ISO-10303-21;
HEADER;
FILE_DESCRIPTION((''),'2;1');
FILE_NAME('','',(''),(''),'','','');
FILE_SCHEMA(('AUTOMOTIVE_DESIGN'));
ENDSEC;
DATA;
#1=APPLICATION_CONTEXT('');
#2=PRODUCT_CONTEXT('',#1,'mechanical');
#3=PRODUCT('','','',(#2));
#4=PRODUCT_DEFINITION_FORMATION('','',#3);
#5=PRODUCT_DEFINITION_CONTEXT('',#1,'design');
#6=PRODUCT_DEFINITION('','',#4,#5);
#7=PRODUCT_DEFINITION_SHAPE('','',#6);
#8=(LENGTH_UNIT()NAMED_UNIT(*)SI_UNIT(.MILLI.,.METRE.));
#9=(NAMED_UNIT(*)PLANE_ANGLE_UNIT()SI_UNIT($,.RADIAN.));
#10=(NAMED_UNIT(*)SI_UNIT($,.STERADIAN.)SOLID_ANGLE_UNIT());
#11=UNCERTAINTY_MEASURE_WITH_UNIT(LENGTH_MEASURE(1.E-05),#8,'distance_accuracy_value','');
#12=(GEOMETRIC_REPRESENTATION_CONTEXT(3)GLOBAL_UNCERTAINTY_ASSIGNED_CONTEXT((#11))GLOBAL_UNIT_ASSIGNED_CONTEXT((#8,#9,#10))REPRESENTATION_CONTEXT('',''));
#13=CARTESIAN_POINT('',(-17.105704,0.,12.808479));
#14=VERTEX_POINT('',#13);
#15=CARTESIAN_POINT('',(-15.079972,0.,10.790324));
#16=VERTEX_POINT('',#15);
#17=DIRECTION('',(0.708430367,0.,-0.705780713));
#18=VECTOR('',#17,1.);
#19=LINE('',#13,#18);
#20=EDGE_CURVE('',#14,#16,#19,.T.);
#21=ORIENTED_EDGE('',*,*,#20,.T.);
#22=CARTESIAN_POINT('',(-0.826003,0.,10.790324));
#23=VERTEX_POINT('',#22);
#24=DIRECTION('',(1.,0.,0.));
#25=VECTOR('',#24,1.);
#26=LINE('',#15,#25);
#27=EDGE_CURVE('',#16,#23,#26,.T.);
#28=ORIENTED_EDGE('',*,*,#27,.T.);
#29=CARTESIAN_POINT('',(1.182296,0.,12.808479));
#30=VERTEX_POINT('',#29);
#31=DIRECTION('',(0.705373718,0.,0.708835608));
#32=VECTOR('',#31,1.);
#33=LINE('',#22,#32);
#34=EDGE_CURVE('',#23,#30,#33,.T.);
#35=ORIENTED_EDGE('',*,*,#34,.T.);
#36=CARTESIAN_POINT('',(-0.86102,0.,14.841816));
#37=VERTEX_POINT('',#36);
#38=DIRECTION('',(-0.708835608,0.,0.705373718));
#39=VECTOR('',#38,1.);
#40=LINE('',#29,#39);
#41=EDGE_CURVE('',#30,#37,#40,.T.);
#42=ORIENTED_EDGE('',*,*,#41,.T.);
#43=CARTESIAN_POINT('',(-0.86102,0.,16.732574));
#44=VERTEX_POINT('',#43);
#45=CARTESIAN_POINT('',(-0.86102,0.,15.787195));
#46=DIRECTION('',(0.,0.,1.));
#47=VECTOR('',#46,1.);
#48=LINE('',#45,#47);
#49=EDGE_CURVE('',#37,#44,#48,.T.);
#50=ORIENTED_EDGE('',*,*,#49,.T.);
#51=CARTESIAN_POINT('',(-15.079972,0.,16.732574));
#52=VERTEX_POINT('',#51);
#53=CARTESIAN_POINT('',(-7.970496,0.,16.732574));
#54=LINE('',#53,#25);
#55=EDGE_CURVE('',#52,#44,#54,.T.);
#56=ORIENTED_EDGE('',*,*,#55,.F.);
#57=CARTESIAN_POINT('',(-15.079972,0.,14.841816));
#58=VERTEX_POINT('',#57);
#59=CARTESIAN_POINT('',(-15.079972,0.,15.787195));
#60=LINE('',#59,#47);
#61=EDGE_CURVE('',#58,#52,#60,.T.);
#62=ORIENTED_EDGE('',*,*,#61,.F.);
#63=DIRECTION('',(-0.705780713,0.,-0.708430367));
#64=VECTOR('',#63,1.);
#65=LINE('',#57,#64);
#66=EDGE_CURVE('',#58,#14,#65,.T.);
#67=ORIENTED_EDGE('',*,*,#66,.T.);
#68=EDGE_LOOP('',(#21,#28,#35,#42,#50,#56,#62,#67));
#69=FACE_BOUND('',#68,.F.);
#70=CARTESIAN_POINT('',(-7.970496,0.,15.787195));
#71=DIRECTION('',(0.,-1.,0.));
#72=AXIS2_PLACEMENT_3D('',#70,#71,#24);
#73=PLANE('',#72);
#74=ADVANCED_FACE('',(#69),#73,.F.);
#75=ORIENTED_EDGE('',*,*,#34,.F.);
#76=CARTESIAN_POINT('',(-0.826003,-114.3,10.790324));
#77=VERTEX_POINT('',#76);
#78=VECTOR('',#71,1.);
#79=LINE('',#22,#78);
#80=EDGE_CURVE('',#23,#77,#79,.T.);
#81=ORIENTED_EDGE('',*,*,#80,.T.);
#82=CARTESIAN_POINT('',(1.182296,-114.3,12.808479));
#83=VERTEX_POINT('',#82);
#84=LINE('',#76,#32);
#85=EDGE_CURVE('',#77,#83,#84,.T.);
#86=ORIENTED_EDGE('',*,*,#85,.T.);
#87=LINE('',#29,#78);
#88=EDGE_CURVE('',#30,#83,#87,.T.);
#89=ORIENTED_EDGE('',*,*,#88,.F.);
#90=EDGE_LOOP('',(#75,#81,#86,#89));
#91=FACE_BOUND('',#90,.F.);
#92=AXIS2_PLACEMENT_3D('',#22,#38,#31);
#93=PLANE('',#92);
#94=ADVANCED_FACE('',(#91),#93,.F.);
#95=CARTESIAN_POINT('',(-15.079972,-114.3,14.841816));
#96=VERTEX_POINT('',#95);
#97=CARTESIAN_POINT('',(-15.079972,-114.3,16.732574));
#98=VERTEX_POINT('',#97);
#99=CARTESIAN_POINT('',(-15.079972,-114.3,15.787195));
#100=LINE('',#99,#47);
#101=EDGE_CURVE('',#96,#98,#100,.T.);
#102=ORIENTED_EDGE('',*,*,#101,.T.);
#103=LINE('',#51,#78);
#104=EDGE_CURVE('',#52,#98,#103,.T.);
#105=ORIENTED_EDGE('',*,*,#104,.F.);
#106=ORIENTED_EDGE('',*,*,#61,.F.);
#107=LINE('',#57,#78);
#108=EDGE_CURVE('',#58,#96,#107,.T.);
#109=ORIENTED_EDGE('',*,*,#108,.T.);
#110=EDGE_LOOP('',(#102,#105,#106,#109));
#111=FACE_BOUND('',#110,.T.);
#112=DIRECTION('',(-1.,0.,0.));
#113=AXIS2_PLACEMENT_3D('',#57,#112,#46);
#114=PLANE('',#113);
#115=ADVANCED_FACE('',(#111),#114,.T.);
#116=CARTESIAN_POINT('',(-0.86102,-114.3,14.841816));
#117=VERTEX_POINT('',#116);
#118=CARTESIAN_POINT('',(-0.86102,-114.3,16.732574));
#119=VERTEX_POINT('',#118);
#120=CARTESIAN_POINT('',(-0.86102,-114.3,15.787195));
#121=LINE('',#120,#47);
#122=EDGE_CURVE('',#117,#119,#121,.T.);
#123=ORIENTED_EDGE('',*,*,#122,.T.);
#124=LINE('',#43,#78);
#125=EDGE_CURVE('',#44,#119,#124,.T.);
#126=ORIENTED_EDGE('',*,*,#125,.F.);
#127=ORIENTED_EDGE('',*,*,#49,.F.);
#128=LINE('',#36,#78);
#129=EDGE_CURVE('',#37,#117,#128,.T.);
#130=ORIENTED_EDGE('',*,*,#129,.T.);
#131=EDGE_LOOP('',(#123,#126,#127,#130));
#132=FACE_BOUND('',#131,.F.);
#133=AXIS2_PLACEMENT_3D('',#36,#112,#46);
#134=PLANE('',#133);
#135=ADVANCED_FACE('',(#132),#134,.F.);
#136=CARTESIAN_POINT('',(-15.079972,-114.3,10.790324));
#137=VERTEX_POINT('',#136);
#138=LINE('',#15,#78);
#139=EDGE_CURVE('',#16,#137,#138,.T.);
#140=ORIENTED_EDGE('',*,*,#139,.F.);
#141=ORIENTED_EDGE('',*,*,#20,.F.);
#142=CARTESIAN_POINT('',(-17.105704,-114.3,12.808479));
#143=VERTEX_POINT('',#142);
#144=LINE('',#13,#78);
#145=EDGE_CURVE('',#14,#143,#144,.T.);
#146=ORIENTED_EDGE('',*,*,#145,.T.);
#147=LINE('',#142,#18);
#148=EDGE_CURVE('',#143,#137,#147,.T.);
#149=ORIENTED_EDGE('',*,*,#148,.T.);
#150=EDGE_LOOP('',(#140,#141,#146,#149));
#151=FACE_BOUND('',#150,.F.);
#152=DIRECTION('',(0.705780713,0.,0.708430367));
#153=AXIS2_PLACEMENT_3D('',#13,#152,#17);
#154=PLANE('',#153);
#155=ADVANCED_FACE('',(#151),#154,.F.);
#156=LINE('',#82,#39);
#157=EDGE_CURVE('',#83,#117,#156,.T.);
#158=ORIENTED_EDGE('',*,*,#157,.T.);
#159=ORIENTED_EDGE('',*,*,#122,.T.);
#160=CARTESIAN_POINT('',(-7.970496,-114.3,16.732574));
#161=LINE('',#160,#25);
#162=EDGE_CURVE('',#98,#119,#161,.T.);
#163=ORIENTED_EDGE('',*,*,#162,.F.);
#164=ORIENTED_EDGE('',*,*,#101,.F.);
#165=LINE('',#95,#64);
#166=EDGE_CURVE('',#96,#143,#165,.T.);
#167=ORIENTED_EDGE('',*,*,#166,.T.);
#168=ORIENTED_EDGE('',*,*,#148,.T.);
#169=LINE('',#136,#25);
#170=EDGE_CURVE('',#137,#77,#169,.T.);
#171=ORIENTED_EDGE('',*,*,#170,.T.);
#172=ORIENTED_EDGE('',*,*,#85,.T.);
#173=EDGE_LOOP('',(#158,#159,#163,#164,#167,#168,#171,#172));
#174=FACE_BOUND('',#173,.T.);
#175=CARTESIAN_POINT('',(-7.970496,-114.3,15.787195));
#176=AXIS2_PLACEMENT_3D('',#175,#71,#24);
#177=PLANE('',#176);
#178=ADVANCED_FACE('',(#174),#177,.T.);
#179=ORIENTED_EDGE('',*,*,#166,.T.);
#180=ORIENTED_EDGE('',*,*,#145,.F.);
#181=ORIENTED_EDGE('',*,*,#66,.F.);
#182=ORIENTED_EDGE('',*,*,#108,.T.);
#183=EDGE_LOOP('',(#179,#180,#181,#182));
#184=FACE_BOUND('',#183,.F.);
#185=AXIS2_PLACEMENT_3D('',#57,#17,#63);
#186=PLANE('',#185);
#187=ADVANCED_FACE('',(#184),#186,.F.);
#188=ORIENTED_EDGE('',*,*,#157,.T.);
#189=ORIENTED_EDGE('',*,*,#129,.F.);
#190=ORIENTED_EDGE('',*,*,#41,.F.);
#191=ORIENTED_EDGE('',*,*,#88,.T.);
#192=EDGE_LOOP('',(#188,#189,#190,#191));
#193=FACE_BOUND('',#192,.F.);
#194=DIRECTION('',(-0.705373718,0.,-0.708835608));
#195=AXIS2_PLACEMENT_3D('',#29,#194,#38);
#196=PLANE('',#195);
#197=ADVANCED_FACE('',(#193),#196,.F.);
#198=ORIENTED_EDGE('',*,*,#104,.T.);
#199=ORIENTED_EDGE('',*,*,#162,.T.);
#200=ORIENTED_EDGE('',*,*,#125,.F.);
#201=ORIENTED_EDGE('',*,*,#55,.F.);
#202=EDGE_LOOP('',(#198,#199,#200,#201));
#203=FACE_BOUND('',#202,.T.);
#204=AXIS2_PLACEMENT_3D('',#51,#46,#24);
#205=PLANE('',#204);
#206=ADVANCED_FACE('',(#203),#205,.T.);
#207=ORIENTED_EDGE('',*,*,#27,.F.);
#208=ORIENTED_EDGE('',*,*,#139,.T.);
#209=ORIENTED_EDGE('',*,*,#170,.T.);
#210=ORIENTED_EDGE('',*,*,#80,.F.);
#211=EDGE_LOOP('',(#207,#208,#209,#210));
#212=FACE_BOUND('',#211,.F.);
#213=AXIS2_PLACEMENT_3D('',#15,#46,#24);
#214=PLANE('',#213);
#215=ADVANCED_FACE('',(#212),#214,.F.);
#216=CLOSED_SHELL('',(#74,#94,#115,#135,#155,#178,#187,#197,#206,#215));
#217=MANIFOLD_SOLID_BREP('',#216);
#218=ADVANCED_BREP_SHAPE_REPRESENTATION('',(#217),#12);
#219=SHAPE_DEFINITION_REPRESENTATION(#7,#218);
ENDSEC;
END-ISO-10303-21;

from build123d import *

# Parameters (mm, degrees)
F0_W     = 14.2189519829
F0_H     = 1.890757619
F0_H_2   = 2.0333368387
F1_DEPTH = 114.3


with BuildPart() as f1:
    # F0 (on Front) → F1 (new body)
    with BuildSketch(Plane.XZ):
        with Locations((-7.9704963428, 15.7871946997)):
            Rectangle(F0_W, F0_H)
        Polygon((-15.0799723342, 14.8418158902), (-17.1057041379, 12.8084790515), (-15.0799723342, 12.8084790515), align=None)
        Polygon((-15.0799723342, 12.8084790515), (-17.1057041379, 12.8084790515), (-15.0799723342, 10.7903238386), align=None)
        Polygon((-0.8610203513, 14.8418158902), (-0.8610203513, 12.8084790515), (1.1822958621, 12.8084790515), align=None)
        Polygon((1.1822958621, 12.8084790515), (-0.8610203513, 12.8084790515), (-0.8260028602, 10.7903238386), align=None)
        Polygon((-0.8610203513, 12.8084790515), (-15.0799723342, 12.8084790515), (-15.0799723342, 10.7903238386), (-0.8260028602, 10.7903238386), align=None)
        with Locations((-7.9704963428, 13.8251474708)):
            Rectangle(F0_W, F0_H_2)
    extrude(amount=F1_DEPTH)


solid = f1.part
